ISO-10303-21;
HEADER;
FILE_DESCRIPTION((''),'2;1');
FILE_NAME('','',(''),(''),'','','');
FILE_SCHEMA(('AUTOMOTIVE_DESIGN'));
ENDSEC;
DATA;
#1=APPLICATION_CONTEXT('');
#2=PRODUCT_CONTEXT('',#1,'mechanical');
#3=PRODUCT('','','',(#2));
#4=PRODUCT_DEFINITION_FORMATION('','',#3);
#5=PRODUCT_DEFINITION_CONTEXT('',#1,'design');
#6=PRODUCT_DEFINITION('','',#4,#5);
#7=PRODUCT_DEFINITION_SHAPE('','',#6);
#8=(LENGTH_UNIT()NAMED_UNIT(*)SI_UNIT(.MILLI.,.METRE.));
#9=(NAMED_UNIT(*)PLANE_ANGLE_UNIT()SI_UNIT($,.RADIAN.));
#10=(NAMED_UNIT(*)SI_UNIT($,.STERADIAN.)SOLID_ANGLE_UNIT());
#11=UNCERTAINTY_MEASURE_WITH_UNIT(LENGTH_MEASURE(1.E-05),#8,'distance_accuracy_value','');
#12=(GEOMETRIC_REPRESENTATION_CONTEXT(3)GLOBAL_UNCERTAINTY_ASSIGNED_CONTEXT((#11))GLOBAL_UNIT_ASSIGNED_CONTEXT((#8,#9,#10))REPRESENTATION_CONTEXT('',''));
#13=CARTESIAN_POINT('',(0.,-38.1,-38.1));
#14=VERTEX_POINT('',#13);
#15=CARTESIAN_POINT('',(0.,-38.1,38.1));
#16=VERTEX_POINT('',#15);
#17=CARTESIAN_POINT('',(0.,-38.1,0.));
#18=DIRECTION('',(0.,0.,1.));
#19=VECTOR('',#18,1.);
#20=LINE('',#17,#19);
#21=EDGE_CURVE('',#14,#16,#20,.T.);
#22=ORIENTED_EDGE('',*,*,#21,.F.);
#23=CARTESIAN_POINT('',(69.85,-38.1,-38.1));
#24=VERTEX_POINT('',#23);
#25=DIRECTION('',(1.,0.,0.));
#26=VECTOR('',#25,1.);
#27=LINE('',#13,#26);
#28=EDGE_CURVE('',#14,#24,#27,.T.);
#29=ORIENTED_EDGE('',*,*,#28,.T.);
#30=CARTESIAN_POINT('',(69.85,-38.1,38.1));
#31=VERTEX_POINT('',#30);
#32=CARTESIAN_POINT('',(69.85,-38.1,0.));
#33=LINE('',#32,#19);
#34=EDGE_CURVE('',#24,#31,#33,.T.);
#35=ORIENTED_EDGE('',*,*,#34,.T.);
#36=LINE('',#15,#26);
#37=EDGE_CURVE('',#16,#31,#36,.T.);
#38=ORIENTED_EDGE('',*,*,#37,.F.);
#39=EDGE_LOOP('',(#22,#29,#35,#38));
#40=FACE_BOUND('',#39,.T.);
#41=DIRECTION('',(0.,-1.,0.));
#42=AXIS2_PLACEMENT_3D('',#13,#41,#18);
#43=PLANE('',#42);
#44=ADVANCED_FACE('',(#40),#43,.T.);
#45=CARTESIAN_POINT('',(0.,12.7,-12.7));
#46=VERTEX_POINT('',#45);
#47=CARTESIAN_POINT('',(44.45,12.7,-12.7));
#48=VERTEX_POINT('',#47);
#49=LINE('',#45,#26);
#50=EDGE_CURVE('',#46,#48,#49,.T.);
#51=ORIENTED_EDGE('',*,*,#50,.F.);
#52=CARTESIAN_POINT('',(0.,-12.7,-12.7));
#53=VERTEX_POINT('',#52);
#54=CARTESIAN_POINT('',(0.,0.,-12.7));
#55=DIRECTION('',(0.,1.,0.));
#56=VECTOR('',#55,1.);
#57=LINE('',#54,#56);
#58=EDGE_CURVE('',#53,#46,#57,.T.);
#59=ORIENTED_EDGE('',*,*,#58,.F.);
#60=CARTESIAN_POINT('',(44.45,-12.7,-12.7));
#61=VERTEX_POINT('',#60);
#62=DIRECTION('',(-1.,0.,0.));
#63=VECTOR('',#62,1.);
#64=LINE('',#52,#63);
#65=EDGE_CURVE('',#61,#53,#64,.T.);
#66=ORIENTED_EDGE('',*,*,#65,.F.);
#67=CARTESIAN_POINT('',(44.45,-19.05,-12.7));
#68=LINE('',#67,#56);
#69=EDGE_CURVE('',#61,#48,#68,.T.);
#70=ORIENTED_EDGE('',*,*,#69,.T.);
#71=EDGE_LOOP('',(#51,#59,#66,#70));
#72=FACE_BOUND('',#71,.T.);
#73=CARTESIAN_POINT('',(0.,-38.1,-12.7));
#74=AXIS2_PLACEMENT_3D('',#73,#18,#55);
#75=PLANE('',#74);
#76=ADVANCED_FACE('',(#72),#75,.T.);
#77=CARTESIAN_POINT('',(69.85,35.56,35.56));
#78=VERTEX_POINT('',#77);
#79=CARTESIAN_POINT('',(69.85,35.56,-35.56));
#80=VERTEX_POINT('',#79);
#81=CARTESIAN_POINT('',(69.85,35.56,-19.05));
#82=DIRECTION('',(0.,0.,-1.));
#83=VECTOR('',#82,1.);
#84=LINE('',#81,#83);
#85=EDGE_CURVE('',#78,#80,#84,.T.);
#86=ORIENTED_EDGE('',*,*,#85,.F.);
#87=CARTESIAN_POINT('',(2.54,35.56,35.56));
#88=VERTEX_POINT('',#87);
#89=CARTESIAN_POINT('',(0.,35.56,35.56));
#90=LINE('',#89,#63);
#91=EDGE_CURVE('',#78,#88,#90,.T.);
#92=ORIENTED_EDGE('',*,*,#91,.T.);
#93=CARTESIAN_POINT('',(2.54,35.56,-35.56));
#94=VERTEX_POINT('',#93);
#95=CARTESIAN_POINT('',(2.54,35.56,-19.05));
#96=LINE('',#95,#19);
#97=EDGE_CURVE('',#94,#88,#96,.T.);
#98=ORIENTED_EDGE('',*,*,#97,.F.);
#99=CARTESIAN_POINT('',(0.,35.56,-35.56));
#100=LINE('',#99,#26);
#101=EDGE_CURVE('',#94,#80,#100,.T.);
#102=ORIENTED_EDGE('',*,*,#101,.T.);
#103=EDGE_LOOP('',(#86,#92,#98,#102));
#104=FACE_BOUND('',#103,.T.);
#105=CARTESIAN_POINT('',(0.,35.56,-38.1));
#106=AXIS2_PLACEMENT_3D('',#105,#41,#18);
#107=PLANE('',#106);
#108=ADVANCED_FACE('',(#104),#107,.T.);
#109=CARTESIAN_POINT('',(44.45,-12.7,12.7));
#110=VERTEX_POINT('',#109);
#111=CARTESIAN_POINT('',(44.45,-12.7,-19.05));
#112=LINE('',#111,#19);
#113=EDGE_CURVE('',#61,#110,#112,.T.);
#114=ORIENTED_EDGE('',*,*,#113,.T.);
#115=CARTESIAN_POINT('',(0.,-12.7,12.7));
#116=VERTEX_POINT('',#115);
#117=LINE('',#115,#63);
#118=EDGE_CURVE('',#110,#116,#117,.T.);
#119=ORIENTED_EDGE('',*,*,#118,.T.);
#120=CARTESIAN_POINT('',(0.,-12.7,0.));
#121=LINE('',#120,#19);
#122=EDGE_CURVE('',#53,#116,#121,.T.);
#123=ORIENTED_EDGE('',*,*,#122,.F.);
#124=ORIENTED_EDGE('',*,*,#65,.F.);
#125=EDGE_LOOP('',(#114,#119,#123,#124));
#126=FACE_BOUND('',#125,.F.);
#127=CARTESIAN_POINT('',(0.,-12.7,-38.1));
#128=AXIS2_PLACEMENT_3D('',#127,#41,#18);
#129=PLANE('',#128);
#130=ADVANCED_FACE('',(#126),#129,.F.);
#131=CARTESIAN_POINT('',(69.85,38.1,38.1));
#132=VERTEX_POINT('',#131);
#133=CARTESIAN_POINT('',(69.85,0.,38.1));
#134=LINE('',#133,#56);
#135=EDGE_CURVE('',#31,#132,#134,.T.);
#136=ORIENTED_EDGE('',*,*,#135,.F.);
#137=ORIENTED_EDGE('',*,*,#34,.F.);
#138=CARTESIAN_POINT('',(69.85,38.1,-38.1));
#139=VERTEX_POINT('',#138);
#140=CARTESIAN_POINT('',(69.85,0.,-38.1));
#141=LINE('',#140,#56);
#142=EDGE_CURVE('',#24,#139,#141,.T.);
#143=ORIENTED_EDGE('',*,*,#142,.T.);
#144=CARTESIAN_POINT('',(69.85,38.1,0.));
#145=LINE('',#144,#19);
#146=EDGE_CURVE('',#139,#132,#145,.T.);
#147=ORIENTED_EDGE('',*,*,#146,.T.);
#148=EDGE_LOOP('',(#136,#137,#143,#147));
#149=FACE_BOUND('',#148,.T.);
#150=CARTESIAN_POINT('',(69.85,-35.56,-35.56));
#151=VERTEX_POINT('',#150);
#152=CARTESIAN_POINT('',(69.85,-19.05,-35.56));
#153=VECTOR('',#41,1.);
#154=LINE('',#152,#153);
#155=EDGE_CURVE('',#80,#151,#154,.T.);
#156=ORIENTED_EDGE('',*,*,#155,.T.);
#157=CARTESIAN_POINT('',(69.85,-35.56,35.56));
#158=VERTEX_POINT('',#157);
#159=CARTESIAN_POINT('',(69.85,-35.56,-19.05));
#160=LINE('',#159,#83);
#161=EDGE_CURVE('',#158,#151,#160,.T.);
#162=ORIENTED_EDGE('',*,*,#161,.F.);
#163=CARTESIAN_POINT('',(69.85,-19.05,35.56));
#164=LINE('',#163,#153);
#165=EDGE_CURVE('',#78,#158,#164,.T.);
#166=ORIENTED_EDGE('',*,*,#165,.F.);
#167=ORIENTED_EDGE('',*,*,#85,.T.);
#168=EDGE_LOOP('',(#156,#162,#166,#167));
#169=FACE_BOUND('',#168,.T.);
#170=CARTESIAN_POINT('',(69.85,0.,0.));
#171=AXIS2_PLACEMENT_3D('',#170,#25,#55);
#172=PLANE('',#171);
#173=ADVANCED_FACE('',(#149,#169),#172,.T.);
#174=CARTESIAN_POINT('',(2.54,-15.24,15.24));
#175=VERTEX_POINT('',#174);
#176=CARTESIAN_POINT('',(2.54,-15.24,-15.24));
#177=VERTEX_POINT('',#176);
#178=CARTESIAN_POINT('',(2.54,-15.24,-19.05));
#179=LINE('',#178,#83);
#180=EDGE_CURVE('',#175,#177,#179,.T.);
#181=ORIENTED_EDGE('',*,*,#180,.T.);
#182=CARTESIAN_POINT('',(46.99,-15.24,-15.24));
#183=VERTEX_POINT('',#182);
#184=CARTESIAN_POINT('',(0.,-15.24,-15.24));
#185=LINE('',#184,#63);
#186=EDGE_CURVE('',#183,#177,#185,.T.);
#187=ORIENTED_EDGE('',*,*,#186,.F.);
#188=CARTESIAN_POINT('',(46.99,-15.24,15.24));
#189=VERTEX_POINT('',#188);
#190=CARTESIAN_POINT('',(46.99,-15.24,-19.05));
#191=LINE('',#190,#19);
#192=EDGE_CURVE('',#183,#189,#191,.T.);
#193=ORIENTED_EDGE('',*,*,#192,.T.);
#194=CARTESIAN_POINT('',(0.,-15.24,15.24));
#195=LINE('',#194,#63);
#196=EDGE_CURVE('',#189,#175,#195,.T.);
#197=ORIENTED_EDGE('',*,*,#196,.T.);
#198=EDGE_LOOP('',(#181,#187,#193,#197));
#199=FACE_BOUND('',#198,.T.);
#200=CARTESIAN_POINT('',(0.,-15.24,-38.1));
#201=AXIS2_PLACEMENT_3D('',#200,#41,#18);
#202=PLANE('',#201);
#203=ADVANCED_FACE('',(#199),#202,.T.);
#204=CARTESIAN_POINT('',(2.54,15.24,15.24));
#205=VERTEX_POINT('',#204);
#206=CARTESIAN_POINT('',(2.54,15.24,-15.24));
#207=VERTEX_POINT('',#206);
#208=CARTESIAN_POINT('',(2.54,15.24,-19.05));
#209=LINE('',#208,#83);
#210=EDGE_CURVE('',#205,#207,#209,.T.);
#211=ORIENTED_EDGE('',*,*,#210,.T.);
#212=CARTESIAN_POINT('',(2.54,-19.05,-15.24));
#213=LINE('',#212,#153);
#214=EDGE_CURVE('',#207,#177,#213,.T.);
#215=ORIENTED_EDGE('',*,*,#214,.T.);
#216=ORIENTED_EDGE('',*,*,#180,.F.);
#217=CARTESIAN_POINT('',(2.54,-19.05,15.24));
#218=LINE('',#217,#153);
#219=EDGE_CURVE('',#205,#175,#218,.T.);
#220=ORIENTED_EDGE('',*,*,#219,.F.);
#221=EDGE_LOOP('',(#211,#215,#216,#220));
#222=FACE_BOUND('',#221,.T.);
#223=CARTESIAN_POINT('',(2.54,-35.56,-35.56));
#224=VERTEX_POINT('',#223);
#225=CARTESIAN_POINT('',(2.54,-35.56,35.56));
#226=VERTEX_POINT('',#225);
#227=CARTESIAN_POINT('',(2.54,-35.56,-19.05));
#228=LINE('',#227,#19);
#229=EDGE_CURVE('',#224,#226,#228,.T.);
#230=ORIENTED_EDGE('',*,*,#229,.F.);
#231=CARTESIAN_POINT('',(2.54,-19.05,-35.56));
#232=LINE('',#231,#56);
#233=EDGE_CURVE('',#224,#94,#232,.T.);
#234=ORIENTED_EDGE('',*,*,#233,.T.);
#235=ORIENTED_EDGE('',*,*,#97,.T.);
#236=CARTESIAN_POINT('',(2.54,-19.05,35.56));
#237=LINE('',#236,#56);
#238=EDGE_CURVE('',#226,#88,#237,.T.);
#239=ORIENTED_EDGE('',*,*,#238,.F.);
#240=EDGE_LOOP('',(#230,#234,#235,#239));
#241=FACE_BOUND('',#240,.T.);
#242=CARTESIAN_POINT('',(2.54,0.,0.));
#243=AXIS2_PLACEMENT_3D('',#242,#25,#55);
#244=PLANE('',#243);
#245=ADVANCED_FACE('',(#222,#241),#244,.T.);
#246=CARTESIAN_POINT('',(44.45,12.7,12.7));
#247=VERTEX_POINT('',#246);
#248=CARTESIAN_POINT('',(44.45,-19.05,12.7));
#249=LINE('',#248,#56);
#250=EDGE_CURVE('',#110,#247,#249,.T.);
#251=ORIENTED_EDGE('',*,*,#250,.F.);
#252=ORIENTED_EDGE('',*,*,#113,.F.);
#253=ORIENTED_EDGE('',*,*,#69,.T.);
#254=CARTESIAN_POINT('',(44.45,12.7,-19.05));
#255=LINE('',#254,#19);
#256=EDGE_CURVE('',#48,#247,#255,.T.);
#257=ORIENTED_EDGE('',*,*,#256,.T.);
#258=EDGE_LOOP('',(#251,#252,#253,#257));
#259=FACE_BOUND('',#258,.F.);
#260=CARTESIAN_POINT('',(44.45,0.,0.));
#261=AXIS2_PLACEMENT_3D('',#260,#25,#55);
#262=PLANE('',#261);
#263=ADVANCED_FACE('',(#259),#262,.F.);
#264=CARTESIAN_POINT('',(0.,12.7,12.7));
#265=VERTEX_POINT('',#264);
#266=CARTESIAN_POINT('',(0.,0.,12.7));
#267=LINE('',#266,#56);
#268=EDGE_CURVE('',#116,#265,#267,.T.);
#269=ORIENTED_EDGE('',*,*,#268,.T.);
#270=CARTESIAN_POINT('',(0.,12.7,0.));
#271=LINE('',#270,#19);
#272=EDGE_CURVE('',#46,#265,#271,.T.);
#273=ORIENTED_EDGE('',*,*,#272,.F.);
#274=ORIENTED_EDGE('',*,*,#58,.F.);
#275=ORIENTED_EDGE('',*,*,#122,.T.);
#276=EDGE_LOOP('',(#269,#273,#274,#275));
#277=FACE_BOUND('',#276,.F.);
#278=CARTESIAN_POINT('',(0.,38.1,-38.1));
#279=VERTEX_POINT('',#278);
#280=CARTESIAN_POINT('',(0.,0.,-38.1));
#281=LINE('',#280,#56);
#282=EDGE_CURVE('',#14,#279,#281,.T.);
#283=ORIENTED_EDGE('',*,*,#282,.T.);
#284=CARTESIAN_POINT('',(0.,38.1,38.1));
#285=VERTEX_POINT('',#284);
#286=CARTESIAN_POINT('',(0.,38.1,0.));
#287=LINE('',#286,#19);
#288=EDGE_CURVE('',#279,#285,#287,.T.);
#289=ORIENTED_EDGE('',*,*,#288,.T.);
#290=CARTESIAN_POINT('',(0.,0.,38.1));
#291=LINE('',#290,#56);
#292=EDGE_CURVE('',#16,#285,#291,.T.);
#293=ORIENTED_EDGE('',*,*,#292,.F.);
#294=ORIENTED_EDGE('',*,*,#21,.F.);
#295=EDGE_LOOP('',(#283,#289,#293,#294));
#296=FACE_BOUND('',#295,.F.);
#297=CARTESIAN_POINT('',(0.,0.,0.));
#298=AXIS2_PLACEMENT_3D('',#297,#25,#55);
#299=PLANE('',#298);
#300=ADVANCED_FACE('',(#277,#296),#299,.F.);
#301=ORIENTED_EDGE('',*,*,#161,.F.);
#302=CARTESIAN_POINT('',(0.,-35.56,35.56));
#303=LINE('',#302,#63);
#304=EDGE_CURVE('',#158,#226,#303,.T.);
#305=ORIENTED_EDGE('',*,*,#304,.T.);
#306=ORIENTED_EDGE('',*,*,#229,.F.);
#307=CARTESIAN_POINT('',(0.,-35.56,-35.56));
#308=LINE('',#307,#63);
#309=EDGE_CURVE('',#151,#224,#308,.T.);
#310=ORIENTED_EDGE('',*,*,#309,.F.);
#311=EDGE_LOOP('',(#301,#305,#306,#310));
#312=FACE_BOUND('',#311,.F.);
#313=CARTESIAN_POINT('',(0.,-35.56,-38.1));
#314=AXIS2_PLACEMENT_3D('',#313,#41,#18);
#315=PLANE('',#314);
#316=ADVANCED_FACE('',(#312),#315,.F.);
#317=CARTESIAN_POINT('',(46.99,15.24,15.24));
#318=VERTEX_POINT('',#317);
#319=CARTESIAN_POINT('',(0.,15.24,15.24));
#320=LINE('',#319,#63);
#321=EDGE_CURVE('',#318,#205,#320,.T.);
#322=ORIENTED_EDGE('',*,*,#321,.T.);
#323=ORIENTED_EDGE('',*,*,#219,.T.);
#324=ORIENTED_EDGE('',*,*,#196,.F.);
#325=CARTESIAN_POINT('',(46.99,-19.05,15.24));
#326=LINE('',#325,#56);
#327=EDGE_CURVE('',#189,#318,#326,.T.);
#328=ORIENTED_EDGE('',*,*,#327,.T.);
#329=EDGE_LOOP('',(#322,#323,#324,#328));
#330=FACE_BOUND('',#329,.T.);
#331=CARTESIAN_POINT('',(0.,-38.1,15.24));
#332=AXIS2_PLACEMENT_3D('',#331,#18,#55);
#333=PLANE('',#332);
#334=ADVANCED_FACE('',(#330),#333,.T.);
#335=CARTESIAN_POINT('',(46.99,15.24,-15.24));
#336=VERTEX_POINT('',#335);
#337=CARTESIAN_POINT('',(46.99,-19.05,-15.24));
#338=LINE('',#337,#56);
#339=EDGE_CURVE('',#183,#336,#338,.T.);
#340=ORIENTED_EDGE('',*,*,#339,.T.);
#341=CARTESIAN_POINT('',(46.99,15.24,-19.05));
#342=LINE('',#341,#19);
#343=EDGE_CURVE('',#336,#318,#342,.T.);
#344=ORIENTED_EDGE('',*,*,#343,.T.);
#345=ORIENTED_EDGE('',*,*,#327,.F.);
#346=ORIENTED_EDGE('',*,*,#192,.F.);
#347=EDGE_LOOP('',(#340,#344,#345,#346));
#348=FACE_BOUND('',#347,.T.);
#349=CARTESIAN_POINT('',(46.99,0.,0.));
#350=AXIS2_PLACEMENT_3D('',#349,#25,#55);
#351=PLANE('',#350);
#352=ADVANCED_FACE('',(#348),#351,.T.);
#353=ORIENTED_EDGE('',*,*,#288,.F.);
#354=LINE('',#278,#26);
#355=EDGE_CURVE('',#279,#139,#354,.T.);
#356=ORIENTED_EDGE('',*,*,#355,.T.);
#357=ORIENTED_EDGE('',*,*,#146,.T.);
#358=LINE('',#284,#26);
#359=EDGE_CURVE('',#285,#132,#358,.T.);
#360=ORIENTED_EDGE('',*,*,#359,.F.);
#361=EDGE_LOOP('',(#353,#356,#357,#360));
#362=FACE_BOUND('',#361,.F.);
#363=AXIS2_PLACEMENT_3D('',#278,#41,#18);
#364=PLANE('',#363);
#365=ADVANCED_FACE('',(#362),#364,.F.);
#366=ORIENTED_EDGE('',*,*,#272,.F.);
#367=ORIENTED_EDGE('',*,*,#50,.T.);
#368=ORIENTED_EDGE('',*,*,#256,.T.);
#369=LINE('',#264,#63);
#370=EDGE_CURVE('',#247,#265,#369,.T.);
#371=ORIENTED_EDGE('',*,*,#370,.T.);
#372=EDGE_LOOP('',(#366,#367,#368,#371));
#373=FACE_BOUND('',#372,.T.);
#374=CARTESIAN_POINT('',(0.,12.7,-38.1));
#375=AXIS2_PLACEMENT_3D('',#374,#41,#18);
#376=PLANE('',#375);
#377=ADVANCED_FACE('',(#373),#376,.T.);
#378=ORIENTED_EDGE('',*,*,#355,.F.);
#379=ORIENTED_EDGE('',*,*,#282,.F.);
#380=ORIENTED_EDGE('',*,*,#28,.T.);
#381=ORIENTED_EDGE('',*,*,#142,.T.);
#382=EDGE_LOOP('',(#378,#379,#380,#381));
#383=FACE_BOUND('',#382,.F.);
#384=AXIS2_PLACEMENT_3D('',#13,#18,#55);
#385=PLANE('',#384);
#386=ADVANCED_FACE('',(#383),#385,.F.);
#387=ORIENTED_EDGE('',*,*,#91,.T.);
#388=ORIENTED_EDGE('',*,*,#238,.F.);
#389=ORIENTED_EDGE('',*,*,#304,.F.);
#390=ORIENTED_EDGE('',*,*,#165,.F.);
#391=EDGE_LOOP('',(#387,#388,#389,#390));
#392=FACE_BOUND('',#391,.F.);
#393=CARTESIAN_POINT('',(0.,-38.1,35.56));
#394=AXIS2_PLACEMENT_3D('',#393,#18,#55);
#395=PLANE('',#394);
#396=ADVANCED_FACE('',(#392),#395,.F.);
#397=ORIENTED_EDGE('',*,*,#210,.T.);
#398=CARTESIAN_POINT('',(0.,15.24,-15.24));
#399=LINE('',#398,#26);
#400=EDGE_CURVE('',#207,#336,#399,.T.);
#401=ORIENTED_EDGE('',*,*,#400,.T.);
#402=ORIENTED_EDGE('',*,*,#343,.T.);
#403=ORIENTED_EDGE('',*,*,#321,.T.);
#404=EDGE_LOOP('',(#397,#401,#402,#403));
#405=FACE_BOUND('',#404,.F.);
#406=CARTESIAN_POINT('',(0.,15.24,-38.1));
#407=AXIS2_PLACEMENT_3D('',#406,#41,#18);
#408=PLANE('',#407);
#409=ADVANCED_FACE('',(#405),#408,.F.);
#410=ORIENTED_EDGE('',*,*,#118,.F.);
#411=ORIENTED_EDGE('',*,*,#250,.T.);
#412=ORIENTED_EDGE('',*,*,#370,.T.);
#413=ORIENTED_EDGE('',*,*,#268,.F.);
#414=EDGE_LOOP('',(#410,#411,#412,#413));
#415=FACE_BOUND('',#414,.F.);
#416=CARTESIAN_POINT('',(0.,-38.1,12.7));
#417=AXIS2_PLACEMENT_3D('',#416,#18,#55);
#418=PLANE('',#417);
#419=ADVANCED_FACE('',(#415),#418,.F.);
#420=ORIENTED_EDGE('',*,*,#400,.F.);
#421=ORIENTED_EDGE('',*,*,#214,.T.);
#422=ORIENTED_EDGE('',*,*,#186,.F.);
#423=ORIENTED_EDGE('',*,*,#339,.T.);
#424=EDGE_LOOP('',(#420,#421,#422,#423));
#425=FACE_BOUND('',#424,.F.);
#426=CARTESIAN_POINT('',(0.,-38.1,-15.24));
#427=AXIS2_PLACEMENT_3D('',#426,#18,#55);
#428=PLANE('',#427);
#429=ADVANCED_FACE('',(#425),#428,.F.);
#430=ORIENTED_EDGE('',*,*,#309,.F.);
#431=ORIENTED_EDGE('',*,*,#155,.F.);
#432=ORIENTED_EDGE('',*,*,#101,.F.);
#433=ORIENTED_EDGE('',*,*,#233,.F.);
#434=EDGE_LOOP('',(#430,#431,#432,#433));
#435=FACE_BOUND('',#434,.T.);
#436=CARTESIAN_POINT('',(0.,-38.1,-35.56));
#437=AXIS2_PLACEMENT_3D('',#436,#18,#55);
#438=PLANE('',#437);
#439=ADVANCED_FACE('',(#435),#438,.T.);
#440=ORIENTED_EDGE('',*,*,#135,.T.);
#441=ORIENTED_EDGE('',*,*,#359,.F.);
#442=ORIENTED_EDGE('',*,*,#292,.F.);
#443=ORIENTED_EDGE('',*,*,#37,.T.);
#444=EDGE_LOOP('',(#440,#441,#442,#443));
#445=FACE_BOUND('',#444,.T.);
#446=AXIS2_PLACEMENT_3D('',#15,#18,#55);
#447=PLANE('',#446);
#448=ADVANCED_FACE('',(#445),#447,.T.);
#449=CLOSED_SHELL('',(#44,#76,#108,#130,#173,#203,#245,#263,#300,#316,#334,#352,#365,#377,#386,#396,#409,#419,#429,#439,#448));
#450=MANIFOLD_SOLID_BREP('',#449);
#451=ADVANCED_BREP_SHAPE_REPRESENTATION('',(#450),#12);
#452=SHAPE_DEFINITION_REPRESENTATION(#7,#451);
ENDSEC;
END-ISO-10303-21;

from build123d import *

# Parameters (mm, degrees)
F0_W     = 76.2
F0_H     = 76.2
F1_DEPTH = 69.85
F2_T     = -25.4
F3_T     = -2.54


with BuildPart() as f1:
    # F0 (on Right) → F1 (new body)
    with BuildSketch(Plane.YZ):
        Rectangle(F0_W, F0_H)
    extrude(amount=F1_DEPTH)

    # F2
    f2_openings = [f1.faces().sort_by_distance(p)[0] for p in [
        (0, 0, 0),
    ]]
    offset(amount=F2_T, openings=f2_openings)

    # F3
    f3_openings = [f1.faces().sort_by_distance(p)[0] for p in [
        (69.85, 0, 0),
    ]]
    offset(amount=F3_T, openings=f3_openings, kind=Kind.INTERSECTION)


solid = f1.part
